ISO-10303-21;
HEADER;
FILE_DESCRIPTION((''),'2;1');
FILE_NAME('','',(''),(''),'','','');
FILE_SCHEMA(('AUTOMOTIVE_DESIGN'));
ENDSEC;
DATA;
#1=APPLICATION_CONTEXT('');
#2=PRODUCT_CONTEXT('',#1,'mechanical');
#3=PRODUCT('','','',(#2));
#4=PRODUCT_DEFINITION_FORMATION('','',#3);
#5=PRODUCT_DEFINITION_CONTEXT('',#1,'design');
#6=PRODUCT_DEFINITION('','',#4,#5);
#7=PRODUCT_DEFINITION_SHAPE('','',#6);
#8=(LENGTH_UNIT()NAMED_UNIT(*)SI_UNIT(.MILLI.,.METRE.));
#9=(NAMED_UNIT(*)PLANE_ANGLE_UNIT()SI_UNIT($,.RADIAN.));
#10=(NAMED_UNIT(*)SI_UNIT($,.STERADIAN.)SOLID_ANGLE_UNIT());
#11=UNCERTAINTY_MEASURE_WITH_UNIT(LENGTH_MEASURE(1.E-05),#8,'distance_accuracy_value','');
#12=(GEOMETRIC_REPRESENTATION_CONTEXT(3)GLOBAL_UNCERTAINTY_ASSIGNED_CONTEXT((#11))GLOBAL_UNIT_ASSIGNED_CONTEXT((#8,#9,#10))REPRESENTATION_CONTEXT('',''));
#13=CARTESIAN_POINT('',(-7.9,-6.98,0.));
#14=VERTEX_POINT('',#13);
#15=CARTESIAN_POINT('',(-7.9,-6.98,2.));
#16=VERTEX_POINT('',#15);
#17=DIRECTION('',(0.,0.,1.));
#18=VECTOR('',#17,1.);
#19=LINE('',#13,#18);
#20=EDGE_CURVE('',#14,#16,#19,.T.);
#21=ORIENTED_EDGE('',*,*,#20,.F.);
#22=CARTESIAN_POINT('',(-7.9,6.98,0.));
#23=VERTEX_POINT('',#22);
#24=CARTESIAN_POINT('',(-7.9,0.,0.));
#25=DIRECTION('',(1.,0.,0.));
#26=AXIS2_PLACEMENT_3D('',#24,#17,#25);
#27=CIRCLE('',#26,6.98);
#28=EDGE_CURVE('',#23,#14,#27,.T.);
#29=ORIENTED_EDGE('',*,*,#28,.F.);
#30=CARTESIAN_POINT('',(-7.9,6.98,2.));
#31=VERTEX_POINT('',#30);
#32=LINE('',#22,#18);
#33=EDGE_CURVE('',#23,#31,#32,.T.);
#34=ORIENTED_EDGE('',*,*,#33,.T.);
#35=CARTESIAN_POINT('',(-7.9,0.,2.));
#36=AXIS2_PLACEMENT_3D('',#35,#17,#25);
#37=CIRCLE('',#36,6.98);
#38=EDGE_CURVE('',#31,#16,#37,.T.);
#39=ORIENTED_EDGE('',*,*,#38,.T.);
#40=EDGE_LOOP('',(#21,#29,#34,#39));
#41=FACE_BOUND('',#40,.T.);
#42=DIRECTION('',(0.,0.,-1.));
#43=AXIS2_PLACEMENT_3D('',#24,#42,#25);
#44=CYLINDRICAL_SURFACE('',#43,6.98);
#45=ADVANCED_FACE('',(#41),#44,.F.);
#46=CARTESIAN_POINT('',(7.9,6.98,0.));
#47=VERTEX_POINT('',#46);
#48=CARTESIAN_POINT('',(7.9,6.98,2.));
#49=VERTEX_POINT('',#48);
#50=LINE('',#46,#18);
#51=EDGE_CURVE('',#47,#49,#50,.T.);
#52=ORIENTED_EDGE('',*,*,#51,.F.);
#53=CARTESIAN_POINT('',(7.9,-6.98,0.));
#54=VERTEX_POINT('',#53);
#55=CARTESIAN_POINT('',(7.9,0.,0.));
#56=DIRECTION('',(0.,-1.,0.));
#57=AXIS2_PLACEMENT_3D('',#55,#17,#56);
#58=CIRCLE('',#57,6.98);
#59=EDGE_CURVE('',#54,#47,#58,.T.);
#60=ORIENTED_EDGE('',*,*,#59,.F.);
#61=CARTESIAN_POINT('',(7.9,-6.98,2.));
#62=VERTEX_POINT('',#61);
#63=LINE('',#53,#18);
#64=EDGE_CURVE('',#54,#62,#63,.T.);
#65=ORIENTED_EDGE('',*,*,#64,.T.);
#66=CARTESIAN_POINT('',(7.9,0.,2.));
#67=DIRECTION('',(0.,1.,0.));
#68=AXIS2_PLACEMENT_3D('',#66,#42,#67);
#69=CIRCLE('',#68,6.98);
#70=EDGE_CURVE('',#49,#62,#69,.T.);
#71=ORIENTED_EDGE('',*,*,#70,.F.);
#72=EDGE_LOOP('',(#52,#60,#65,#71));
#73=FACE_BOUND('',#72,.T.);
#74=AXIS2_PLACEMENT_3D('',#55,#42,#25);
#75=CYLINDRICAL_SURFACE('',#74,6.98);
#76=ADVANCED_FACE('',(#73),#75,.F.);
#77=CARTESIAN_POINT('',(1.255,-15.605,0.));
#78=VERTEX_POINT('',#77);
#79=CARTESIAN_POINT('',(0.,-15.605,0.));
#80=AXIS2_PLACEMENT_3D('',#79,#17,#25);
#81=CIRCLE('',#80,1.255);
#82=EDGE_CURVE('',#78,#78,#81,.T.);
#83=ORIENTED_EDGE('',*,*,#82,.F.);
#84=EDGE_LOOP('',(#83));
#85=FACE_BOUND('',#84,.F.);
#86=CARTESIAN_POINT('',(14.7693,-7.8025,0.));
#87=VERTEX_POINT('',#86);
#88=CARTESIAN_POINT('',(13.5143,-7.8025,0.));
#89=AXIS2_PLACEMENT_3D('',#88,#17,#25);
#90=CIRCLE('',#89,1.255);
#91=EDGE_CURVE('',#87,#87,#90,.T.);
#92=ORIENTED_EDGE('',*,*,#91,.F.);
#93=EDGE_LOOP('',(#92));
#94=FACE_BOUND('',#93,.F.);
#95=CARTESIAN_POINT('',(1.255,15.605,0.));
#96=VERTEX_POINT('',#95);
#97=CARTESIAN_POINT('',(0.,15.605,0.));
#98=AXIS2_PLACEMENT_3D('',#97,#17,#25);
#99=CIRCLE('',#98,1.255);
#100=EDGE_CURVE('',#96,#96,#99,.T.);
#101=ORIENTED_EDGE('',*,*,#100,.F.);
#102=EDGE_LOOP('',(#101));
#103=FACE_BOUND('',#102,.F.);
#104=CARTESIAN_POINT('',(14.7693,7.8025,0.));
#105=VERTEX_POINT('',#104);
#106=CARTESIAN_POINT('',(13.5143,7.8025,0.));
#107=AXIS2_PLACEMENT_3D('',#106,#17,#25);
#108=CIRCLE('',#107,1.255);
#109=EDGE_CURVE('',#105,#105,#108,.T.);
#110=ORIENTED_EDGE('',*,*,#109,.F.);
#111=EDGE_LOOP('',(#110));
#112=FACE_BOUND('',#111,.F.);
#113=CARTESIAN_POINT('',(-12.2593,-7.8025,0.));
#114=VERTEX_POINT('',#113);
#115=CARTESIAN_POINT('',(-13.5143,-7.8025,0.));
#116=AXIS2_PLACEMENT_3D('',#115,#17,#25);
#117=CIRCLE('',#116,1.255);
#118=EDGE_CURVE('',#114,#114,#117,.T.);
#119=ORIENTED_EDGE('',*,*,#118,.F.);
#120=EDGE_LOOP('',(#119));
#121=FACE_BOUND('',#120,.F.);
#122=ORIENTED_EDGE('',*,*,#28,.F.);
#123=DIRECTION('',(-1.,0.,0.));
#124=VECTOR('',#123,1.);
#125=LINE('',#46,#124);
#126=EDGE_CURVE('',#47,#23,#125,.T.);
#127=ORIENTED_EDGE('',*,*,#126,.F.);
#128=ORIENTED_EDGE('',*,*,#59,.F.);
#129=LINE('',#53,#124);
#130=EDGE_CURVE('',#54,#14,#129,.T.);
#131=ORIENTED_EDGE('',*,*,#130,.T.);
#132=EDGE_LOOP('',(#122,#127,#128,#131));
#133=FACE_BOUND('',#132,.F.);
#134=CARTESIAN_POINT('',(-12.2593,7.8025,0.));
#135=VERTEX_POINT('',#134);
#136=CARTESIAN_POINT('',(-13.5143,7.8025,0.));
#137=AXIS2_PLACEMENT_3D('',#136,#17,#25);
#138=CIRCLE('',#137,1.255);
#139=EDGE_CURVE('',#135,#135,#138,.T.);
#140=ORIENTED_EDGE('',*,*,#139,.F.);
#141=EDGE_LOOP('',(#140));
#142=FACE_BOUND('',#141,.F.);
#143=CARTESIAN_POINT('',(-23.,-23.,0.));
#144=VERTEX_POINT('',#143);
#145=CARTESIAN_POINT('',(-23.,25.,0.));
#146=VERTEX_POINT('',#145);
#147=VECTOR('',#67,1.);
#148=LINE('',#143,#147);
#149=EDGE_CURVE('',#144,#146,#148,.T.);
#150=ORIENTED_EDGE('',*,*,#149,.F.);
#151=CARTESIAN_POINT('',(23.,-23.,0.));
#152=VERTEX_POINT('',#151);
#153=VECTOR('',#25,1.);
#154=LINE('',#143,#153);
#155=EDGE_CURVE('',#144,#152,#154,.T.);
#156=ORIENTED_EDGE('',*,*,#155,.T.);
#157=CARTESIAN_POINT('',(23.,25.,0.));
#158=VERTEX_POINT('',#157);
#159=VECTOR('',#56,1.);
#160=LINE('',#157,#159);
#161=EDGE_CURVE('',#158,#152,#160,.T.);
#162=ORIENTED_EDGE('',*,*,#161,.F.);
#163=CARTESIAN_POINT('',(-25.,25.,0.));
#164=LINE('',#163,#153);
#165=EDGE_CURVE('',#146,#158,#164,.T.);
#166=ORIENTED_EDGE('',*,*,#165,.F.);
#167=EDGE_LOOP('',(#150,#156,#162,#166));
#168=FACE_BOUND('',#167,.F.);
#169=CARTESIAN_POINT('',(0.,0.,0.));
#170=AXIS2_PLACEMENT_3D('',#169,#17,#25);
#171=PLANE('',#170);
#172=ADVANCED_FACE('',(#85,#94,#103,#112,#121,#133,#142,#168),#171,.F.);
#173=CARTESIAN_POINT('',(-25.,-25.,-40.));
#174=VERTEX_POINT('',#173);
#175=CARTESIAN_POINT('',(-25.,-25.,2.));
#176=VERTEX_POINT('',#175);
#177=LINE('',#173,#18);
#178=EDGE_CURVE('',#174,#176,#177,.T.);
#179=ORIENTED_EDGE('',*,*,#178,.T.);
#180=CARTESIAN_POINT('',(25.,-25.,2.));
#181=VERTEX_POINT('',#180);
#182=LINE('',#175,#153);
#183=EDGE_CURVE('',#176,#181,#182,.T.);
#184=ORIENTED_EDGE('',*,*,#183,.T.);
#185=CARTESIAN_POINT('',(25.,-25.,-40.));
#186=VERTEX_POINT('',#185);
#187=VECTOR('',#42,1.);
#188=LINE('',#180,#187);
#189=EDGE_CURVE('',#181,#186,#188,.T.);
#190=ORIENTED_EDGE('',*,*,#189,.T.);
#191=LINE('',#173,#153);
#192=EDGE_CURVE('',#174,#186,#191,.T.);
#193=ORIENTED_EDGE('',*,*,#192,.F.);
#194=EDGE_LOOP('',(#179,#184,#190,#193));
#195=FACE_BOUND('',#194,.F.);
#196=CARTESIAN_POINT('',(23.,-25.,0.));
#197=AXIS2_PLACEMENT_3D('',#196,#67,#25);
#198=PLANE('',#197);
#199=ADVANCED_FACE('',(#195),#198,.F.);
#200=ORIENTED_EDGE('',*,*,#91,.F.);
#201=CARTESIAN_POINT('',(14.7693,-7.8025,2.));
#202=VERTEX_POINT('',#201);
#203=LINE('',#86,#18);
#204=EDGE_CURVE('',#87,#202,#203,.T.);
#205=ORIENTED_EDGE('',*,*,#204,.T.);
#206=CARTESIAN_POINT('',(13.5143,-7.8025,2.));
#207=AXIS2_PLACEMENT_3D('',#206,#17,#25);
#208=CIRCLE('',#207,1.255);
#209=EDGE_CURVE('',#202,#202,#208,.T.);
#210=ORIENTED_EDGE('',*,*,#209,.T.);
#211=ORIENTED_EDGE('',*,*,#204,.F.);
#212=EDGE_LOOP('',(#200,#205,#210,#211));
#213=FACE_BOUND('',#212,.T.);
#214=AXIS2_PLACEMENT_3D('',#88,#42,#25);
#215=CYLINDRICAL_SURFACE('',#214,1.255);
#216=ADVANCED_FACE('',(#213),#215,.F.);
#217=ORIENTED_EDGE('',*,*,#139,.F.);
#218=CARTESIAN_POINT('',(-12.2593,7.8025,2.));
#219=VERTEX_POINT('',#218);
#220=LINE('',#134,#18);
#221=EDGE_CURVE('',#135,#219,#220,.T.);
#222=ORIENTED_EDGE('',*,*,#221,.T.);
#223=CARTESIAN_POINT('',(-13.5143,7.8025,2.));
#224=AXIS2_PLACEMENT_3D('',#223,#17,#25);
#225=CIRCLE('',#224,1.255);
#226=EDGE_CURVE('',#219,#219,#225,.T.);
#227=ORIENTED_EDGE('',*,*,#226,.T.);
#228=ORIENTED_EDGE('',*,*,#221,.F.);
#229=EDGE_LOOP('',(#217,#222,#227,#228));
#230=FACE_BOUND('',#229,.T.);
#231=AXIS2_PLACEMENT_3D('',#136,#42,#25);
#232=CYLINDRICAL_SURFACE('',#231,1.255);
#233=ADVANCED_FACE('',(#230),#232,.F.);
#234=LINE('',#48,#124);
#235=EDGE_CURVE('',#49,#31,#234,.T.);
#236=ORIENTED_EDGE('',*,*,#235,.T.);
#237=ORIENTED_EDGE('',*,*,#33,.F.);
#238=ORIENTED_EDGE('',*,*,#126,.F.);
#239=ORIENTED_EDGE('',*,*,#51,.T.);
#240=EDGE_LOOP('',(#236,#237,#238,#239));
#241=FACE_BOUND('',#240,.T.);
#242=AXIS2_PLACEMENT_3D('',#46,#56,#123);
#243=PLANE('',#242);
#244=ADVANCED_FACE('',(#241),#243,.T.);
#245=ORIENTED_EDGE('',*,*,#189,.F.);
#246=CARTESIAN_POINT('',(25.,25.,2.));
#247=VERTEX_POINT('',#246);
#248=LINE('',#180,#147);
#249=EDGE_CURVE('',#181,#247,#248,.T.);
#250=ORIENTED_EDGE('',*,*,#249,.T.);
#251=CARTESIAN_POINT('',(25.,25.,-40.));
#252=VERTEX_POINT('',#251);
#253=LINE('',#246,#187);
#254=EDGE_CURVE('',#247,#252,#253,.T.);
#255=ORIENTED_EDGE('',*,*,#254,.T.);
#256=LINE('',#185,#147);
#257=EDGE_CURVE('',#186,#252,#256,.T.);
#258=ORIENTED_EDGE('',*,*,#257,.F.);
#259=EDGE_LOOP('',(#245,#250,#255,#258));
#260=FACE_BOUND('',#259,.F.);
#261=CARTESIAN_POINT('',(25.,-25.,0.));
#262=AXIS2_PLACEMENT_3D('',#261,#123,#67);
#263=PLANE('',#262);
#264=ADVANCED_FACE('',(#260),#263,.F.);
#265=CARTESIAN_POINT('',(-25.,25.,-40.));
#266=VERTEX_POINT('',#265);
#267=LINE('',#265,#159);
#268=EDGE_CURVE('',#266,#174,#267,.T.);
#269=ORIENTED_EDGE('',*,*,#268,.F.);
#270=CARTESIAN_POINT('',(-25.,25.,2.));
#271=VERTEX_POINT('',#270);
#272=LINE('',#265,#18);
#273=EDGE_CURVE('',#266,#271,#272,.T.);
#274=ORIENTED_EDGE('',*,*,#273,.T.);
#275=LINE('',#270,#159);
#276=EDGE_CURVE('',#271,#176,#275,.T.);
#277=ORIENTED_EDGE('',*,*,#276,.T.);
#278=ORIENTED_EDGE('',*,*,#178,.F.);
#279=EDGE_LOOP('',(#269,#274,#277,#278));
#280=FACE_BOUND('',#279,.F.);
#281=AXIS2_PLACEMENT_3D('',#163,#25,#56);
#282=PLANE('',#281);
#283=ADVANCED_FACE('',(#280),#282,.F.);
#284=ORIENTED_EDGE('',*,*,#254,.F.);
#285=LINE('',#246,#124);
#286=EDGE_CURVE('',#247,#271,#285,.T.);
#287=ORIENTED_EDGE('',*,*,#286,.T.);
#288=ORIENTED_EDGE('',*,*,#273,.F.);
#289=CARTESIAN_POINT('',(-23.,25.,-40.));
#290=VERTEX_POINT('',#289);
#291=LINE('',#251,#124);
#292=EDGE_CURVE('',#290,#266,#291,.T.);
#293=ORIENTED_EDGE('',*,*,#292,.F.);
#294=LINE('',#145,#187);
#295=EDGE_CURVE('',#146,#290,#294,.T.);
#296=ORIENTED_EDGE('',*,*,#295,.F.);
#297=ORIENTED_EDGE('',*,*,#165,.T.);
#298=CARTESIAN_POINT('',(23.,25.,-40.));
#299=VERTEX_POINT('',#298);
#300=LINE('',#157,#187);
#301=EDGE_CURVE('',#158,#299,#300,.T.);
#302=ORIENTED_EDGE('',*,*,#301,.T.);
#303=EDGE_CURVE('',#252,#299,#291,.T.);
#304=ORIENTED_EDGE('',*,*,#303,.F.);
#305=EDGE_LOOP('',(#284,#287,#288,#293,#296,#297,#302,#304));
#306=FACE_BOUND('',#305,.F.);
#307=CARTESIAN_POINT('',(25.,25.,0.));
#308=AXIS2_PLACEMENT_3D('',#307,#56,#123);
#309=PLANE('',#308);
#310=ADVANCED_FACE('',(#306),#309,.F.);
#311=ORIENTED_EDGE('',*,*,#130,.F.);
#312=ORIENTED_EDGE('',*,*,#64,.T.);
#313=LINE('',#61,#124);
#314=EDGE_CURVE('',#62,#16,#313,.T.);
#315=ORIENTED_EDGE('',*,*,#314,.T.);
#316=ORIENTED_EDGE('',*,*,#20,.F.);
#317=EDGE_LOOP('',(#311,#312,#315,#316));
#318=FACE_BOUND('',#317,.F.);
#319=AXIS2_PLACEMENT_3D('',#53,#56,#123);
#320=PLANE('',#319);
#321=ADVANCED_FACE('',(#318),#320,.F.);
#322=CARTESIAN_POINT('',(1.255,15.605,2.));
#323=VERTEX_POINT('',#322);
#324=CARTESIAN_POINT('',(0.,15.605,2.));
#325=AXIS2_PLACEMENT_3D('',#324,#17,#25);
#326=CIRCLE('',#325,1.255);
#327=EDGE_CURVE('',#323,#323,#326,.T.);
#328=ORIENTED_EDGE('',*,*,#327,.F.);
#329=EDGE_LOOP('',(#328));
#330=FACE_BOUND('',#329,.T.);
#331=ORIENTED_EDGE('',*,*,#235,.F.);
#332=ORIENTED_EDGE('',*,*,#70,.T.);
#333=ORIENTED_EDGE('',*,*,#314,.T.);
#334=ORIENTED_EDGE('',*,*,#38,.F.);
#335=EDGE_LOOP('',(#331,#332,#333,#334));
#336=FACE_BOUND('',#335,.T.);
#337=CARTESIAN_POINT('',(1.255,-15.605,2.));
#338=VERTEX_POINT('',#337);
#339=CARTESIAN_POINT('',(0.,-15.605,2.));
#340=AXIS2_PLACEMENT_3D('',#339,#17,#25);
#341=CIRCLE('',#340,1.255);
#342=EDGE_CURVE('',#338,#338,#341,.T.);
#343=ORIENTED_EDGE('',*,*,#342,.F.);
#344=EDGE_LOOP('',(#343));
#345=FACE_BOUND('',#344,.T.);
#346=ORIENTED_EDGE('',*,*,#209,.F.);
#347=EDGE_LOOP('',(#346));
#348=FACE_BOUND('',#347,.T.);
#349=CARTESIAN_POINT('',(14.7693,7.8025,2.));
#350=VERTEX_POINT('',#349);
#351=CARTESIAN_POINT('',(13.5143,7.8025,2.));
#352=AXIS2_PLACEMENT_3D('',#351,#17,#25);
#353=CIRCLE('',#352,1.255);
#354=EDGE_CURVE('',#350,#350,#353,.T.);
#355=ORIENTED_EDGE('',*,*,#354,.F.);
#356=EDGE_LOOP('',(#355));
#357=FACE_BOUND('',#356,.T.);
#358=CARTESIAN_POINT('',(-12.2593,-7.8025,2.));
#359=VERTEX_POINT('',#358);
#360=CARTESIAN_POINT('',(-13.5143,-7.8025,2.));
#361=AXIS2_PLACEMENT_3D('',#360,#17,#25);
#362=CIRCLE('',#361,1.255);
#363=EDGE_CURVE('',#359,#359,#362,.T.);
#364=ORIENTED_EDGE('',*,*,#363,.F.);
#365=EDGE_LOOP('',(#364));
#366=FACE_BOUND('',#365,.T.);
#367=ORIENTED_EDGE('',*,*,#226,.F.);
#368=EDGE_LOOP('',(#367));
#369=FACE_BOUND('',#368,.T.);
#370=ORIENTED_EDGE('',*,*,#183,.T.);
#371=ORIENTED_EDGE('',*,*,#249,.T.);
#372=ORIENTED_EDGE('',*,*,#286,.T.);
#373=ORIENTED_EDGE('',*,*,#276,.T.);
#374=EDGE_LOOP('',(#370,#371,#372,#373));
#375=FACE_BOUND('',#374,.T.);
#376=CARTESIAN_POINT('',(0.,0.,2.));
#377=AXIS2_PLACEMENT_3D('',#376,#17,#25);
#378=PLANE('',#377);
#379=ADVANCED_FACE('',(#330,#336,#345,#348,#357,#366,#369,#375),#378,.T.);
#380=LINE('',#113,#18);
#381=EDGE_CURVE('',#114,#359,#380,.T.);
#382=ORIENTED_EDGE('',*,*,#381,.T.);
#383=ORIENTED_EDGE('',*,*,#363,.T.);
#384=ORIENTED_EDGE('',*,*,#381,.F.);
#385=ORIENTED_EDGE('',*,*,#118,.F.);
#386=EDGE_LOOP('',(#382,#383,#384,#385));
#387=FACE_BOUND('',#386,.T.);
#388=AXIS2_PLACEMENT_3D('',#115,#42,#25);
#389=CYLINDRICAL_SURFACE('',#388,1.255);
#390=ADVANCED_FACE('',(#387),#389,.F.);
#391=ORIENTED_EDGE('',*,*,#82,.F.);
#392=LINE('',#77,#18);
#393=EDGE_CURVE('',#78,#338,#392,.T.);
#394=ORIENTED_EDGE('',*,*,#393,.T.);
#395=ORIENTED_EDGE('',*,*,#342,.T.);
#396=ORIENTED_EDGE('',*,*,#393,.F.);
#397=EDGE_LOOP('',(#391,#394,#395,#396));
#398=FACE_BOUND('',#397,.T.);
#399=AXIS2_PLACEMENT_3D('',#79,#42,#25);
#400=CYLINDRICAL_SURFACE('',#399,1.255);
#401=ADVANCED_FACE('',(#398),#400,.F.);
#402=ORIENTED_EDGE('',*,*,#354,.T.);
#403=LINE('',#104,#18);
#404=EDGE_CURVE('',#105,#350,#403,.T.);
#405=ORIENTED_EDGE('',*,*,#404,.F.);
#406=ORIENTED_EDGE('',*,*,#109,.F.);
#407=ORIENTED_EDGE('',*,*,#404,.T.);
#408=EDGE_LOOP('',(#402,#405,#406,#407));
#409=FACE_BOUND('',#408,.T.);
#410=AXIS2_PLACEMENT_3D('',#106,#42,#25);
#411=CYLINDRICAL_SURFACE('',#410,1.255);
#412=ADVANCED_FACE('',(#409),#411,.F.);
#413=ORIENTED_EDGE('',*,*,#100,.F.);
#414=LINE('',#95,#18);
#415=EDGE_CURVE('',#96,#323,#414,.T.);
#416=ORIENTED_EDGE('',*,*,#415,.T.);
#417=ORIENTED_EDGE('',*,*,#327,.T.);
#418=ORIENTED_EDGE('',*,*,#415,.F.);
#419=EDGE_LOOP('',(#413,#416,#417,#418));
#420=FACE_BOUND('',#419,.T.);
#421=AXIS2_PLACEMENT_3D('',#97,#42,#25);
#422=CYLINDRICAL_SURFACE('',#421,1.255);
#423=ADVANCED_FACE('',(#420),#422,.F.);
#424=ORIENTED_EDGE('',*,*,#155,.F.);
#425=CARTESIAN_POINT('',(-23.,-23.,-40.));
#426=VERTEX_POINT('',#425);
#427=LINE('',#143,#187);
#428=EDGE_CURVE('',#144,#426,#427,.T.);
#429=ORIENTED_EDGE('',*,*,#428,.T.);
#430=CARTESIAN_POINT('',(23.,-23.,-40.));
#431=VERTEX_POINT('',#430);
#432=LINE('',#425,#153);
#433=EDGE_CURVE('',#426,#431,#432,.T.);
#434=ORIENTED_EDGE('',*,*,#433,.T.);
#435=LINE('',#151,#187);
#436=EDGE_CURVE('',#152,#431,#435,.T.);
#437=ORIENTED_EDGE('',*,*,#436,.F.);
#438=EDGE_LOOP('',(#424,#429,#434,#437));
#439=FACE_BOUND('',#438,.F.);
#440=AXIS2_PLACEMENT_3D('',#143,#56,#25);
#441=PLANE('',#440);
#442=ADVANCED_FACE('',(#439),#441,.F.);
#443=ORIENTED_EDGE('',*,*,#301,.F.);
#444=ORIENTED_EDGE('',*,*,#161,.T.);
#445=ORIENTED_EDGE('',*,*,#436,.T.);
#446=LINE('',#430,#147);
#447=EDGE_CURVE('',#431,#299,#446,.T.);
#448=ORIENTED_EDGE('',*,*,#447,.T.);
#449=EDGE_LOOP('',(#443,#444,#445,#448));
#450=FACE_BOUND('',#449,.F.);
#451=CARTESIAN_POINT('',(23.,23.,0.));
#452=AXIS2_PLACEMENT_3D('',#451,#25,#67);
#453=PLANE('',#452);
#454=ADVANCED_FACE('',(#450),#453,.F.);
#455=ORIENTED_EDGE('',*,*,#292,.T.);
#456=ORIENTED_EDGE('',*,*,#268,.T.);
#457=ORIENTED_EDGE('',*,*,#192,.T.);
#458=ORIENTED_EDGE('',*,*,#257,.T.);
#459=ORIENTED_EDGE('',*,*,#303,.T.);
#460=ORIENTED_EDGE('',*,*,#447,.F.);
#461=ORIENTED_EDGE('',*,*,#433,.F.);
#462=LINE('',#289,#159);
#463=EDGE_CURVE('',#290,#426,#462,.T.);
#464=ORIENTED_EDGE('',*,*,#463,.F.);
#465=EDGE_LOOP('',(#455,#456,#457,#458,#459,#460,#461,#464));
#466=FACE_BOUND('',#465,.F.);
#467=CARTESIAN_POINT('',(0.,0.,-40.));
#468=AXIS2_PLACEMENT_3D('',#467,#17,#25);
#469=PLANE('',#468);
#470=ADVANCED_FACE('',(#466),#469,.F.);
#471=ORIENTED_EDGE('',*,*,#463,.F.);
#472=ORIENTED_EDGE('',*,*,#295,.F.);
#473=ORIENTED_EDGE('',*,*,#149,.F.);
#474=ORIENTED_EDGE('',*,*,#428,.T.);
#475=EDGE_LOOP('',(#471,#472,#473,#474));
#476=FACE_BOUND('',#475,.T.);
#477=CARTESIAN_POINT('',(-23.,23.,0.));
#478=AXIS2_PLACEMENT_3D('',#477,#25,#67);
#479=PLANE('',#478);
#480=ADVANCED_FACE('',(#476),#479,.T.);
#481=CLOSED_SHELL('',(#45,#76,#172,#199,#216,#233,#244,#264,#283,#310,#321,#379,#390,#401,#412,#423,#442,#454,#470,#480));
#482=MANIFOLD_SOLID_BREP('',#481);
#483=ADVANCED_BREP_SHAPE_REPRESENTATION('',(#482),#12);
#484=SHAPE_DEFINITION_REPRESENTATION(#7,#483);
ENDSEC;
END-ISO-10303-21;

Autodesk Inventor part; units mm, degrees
ref_plane "YZ Plane" through (0, 0, 0) normal (1, 0, 0) x (0, 1, 0)
ref_plane "XZ Plane" through (0, 0, 0) normal (0, 1, 0) x (-1, 0, 0)
ref_plane "XY Plane" through (0, 0, 0) normal (0, 0, 1) x (1, 0, 0)
sketch "Sketch1" plane through (0, 0, 0) normal (0, 0, 1) x (1, 0, 0)
  circle A0 centre (0, 0) radius 18.38
  circle A1 centre (13.5143, 7.8025) radius 1.255
  circle A2 centre (0, 15.605) radius 1.255
  circle A3 centre (-13.5143, 7.8025) radius 1.255
  circle A4 centre (-13.5143, -7.8025) radius 1.255
  circle A5 centre (0, -15.605) radius 1.255
  circle A6 centre (13.5143, -7.8025) radius 1.255
  circle A7 centre (7.9, 0) radius 5.98
  line L0 (25, 25) -> (-25, 25)
  line L1 (-25, 25) -> (-25, -25)
  line L2 (-25, -25) -> (25, -25)
  line L3 (25, -25) -> (25, 25)
  line L4 (25, 25) -> (-25, -25) construction
  line L5 (-25, 25) -> (25, -25) construction
  circle A8 centre (7.9, 0) radius 6.98
  line L6 (7.9, -6.98) -> (-7.9, -6.98)
  line L7 (7.9, 6.98) -> (-7.9, 6.98)
  circle A9 centre (-7.9, 0) radius 6.98
  line L8 (23, 23) -> (-23, 23)
  line L9 (-23, 23) -> (-23, -23)
  line L10 (-23, -23) -> (23, -23)
  line L11 (23, -23) -> (23, 23)
  line L12 (-23, 23) -> (-23, 25)
  line L13 (23, 23) -> (23, 25)
  line L14 (23, -23) -> (23, -25)
  point P0 (0, 0)
  dimension "d0" = 50
  dimension "d1" = 50
  dimension "d2" = 1
  dimension "d3" = 15.8
  dimension "d6" = 2
extrude "Extrusion1" add sketch "Sketch1" along normal blind 2 contours A0 | L3 L2 L14 L11 L13 L0 | L13 L8 L12 L0 | L12 L9 L10 L14 L2 L1 L0 | L11 L10 L9 L8
extrude "Extrusion2" add sketch "Sketch1" against normal blind 40 contours L3 L2 L14 L11 L13 L0 | L12 L9 L10 L14 L2 L1 L0
thread "Thread1" size "M2.5x0.45" class "6H" standard "ISO Metric profile" length 10
thread "Thread2" size "M2.5x0.45" class "6H" standard "ANSI Metric M Profile" length 10
thread "Thread3" size "M2.5x0.45" class "6H" standard "ISO Metric profile" full length
thread "Thread4" size "M2.5x0.45" class "6H" standard "ANSI Metric M Profile" full length
thread "Thread5" size "M2.5x0.45" class "6H" standard "ANSI Metric M Profile" full length
thread "Thread6" size "M2.5x0.45" class "6H" standard "ANSI Metric M Profile" full length
properties part number "drivemotorcasing"
